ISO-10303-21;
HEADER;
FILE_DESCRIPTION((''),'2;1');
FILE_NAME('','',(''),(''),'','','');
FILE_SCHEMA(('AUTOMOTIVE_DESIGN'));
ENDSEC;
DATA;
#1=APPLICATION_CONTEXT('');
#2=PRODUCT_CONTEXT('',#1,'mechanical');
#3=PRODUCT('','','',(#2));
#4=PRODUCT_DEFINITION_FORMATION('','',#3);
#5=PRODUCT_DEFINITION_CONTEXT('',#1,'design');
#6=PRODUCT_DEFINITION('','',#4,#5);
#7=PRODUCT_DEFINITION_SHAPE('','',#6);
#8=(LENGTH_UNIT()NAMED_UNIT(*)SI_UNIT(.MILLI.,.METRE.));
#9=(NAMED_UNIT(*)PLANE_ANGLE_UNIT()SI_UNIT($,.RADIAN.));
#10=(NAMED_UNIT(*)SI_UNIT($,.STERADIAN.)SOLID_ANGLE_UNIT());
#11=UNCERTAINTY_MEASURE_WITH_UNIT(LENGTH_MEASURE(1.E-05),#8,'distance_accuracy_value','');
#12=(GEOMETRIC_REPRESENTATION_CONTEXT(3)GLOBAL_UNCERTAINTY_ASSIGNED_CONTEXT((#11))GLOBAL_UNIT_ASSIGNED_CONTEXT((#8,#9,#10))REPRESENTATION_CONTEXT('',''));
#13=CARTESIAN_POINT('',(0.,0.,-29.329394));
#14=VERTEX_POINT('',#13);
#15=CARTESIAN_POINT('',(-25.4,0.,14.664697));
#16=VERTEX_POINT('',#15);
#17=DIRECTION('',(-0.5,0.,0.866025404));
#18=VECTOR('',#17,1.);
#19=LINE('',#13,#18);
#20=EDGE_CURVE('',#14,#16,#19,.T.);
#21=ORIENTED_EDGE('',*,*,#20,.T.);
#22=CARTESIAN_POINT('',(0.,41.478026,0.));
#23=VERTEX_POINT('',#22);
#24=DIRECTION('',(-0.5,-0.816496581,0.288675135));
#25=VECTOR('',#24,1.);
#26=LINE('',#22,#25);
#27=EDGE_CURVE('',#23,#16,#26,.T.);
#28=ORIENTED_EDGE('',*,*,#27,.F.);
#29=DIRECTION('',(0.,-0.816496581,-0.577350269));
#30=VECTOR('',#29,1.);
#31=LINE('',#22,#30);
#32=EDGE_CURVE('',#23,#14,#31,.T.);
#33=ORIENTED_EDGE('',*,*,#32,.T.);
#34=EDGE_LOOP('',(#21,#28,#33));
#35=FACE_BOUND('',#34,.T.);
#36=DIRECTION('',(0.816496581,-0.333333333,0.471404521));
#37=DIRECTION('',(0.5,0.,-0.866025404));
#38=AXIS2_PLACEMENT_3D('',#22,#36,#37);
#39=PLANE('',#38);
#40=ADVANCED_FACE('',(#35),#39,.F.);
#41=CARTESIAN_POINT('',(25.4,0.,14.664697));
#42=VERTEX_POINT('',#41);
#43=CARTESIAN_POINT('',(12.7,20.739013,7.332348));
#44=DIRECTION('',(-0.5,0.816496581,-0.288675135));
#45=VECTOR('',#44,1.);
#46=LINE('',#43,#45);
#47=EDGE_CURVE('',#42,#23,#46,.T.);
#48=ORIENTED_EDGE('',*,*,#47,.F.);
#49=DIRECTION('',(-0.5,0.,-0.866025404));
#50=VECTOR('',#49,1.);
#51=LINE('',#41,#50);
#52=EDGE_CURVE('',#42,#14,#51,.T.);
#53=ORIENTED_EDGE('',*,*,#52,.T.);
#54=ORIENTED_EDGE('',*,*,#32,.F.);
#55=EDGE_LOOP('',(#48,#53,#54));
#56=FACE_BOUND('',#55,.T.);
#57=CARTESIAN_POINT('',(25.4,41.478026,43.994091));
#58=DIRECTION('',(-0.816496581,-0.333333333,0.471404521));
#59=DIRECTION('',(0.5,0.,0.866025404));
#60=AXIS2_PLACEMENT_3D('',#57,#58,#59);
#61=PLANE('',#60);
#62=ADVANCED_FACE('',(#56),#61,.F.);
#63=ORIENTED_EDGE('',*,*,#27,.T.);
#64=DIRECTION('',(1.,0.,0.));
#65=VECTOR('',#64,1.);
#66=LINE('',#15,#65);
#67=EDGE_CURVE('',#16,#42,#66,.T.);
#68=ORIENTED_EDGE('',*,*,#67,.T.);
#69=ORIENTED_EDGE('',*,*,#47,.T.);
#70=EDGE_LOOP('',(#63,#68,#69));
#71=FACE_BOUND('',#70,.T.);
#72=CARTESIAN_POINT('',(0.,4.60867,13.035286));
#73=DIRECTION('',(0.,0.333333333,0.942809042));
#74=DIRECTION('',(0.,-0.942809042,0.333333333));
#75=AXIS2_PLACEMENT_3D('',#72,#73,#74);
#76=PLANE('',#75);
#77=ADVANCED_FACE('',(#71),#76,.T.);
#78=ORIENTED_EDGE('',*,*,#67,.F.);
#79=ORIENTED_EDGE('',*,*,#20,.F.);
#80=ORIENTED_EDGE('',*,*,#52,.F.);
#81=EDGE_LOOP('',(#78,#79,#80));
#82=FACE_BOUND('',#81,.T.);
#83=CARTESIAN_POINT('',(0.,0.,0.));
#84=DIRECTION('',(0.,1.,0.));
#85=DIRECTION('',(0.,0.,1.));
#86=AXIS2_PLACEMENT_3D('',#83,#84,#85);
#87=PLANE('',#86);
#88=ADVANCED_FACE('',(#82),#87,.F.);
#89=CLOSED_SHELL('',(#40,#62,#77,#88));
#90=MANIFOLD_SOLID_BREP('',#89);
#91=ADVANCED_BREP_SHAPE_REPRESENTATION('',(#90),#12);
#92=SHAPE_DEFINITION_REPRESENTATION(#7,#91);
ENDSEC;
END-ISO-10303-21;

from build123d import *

# Parameters (mm, degrees)
BOSS_EXTRUDE1_DEPTH = 50.799999619


with BuildPart() as part:
    # Sketch1 → Boss-Extrude1 (new, along a direction that is not the sketch's normal)
    with BuildSketch(Plane(origin=(0, 0, 0), x_dir=(1, 0, 0), z_dir=(0, 1, 0))):
        Polygon((-25.4, -14.664696837), (25.4, -14.664696837), (0, 29.329393675), align=None)
    extrude(amount=BOSS_EXTRUDE1_DEPTH, dir=(0, 0.8164965809277261, 0.5773502691896257))

    # SurfaceCut1
    split(bisect_by=Plane(origin=(0, 4.60866959, 13.035286078), x_dir=(1, 0, 0), z_dir=(0, 0.3333333333333331, 0.9428090415820635)), keep=Keep.BOTTOM)


solid = part.part
